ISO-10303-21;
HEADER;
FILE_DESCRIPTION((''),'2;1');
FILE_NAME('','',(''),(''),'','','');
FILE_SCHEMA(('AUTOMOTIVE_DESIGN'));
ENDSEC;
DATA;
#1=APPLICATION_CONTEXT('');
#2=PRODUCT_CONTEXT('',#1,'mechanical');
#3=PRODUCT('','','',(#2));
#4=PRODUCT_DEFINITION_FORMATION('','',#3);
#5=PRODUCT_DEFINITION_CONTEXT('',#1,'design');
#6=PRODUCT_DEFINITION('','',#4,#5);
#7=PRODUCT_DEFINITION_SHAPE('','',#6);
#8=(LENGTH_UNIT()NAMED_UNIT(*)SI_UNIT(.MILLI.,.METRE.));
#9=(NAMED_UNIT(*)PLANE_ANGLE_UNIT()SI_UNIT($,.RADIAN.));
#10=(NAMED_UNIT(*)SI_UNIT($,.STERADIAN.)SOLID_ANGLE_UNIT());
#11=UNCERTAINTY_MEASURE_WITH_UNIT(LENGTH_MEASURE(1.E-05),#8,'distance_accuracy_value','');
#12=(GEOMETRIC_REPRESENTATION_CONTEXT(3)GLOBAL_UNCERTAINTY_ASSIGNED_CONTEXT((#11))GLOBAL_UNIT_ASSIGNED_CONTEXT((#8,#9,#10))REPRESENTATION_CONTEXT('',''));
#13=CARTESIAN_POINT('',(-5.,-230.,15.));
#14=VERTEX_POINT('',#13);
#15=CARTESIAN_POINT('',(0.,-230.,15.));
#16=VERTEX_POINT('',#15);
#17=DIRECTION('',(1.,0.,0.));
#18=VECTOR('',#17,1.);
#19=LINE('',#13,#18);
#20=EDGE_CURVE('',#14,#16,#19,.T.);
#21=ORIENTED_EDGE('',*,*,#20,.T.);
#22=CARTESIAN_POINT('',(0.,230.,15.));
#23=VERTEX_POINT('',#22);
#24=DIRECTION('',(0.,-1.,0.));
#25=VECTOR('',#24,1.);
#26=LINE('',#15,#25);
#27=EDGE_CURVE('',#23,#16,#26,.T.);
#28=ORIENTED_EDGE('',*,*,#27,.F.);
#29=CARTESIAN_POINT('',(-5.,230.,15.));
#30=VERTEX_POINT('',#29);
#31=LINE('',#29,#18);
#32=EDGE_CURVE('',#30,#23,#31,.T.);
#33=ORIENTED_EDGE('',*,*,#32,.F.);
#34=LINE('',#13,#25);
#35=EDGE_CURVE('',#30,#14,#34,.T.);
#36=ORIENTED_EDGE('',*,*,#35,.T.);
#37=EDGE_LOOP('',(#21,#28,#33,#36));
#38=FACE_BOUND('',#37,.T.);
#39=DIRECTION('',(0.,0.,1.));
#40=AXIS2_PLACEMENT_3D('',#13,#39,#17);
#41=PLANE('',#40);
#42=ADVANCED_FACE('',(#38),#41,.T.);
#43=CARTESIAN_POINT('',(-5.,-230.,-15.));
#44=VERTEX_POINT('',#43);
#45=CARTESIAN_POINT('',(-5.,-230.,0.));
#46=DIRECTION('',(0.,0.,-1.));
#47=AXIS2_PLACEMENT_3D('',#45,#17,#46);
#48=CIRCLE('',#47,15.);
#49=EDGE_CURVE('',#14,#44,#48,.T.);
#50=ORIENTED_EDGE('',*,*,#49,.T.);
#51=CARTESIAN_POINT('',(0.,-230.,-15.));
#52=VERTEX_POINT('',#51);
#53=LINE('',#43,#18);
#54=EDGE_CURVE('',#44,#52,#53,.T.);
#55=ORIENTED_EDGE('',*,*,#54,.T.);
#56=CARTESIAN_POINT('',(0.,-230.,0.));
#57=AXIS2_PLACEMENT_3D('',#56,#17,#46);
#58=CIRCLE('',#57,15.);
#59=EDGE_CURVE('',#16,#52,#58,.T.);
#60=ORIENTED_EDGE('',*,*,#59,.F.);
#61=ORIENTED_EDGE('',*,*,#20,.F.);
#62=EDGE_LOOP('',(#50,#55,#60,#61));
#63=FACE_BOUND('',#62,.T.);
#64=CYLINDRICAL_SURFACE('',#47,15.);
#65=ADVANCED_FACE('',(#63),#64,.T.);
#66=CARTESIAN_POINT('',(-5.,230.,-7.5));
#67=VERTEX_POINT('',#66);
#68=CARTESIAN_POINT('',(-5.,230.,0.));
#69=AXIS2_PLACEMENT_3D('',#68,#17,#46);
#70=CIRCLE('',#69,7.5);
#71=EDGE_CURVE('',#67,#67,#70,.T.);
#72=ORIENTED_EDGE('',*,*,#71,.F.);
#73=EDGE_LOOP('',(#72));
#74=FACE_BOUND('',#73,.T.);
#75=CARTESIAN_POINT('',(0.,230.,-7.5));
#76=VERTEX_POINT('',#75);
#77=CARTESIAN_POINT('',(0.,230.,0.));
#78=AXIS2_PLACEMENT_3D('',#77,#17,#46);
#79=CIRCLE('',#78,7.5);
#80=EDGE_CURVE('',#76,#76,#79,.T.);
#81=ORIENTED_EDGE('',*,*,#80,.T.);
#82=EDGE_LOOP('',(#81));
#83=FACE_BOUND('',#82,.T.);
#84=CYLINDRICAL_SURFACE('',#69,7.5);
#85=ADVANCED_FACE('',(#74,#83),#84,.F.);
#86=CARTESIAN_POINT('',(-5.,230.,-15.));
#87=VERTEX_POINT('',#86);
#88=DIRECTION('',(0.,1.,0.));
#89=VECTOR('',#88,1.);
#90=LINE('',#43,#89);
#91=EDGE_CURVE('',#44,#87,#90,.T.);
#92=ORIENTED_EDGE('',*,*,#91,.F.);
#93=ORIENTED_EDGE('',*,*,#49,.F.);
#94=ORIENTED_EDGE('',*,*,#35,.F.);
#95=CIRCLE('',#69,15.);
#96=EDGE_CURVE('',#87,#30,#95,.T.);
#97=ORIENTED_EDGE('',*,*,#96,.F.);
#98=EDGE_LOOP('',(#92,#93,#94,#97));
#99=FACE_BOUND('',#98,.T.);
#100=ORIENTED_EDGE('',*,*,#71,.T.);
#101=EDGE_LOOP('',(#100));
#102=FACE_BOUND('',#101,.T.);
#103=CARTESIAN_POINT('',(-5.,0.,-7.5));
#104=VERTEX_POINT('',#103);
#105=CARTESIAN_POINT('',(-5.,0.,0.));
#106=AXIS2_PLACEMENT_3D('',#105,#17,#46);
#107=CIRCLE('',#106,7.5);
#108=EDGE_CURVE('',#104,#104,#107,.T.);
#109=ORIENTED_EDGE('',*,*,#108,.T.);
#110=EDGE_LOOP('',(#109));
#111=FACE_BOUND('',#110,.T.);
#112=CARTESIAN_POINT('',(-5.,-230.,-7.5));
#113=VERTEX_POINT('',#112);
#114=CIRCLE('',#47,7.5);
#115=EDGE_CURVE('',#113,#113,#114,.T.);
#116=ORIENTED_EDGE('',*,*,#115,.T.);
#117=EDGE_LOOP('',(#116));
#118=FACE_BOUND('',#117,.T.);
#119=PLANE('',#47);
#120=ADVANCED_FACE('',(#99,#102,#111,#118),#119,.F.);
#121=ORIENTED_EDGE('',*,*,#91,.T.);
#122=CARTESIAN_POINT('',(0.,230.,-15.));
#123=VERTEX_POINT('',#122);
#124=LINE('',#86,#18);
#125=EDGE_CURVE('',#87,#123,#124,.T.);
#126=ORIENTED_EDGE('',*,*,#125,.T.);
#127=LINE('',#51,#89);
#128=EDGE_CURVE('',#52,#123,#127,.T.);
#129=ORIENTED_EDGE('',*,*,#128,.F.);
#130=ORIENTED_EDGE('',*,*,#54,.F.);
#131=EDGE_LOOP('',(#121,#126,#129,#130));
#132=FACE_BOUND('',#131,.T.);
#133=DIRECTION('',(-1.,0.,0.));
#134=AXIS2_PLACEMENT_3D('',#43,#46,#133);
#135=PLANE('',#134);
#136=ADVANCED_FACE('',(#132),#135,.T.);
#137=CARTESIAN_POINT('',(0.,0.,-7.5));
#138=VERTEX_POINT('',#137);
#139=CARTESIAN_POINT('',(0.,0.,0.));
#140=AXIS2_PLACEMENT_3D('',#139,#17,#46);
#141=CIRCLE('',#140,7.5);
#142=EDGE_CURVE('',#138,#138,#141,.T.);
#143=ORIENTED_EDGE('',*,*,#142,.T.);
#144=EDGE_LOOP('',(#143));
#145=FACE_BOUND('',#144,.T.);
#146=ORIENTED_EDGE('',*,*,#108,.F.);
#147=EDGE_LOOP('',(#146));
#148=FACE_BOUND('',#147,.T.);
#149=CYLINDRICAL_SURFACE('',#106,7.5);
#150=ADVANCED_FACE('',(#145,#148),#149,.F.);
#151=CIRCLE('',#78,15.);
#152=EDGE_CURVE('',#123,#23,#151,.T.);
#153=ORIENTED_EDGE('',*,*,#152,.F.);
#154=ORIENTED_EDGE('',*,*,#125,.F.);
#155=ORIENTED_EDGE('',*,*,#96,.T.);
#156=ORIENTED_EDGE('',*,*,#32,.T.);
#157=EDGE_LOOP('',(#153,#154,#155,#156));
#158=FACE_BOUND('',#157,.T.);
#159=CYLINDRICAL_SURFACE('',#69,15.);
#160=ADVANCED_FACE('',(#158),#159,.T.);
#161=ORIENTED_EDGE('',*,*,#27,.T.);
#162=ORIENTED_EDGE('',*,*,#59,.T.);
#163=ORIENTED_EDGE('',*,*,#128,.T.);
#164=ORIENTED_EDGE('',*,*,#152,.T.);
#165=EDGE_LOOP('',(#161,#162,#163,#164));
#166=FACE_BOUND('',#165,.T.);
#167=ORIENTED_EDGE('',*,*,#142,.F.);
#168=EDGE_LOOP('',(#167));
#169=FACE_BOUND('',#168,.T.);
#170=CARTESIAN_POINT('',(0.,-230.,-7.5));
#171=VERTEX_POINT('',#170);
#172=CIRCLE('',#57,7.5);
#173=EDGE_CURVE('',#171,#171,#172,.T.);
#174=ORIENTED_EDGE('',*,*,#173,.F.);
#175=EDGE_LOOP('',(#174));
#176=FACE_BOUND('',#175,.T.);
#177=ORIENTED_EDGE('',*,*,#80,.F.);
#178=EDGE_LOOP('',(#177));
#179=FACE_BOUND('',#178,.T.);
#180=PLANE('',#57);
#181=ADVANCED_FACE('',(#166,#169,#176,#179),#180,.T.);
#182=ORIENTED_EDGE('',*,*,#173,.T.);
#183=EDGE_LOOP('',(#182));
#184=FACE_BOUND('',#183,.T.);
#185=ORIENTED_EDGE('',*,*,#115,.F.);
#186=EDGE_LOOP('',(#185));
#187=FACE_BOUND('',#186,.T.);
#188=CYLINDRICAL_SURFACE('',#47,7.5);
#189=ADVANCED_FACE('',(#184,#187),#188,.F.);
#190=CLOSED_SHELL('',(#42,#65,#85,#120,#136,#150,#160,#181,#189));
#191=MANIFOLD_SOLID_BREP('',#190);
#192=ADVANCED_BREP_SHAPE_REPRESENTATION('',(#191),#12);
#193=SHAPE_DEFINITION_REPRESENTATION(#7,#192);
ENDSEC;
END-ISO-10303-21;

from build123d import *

# Parameters (mm, degrees)
SKETCH1_R           = 7.5
BOSS_EXTRUDE1_DEPTH = 5


with BuildPart() as part:
    # Sketch1 → Boss-Extrude1 (new body)
    with BuildSketch(Plane.YZ):
        with BuildLine():
            Line((-230, 15), (230, 15))
            ThreePointArc((230, 15), (245, 0), (230, -15))
            Line((230, -15), (-230, -15))
            ThreePointArc((-230, -15), (-245, 0), (-230, 15))
        make_face()
        with Locations(Location((-230, 0, 0), (0, 0, 270))):
            Circle(SKETCH1_R, mode=Mode.SUBTRACT)
        with Locations(Location((0, 0, 0), (0, 0, 270))):
            Circle(SKETCH1_R, mode=Mode.SUBTRACT)
        with Locations(Location((230, 0, 0), (0, 0, 270))):
            Circle(SKETCH1_R, mode=Mode.SUBTRACT)
    extrude(amount=-BOSS_EXTRUDE1_DEPTH)


solid = part.part
